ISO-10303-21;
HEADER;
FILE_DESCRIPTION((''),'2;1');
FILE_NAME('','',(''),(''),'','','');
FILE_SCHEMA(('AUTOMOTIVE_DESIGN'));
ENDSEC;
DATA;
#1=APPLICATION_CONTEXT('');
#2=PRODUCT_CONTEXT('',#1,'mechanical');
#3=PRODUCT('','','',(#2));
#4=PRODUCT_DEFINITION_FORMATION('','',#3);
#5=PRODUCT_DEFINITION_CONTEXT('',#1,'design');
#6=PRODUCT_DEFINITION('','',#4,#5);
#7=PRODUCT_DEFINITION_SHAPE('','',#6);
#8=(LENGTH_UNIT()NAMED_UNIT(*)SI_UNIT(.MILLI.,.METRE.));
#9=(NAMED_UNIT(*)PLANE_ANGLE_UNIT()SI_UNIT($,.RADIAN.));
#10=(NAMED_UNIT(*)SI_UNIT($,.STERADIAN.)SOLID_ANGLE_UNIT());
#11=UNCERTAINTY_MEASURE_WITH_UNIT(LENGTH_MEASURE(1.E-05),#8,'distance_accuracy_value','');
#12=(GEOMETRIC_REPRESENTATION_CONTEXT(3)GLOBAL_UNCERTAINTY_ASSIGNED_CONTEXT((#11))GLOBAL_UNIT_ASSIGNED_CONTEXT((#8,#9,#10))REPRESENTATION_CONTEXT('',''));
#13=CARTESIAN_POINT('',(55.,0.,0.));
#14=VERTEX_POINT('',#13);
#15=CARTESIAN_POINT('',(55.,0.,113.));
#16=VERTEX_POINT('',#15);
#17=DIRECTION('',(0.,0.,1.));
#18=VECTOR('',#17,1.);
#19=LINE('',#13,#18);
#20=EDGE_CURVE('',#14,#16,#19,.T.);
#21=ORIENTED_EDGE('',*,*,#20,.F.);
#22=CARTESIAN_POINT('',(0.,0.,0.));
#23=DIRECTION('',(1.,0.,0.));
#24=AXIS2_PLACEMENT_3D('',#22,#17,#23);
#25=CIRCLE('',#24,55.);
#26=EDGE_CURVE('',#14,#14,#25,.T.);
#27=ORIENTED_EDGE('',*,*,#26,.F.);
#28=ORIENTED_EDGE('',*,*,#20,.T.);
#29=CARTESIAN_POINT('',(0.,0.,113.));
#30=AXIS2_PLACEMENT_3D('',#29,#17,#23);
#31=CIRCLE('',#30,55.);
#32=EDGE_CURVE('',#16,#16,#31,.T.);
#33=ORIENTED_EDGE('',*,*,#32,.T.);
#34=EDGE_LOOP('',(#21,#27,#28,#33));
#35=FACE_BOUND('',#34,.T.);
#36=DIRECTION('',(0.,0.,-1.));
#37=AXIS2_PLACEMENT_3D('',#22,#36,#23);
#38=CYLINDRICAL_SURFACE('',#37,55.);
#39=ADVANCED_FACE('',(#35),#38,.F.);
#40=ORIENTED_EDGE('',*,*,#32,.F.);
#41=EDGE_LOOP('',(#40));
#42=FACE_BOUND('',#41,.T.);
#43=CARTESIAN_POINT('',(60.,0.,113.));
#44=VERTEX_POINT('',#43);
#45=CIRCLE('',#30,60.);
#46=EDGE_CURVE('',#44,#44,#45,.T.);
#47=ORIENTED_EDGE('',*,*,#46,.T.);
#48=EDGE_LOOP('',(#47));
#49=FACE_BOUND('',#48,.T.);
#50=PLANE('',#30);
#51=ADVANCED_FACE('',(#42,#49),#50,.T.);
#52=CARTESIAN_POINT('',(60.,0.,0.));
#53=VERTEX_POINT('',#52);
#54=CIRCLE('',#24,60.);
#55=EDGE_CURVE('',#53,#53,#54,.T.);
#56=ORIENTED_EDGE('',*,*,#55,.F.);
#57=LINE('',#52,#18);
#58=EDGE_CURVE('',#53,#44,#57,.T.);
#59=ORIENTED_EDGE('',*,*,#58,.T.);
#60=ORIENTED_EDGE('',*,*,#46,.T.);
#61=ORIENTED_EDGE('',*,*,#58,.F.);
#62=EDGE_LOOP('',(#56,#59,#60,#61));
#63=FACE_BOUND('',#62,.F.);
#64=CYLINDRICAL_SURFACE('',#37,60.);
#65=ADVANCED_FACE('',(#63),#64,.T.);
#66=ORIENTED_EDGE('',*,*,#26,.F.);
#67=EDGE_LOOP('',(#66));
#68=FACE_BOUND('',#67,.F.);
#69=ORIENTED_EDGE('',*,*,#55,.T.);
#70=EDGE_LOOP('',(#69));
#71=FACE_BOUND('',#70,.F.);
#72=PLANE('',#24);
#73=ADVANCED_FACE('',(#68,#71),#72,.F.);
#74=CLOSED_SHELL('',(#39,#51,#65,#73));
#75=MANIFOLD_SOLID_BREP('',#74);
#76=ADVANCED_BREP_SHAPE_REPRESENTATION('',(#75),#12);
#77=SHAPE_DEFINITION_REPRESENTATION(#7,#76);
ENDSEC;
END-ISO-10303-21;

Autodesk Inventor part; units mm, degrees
ref_plane "YZ Plane" through (0, 0, 0) normal (1, 0, 0) x (0, 1, 0)
ref_plane "XZ Plane" through (0, 0, 0) normal (0, 1, 0) x (-1, 0, 0)
ref_plane "XY Plane" through (0, 0, 0) normal (0, 0, 1) x (1, 0, 0)
sketch "Эскиз1" plane through (0, 0, 0) normal (0, 0, 1) x (1, 0, 0)
  circle A0 centre (0, 0) radius 55
  circle A1 centre (0, 0) radius 60
  dimension "d0" = 110
  dimension "d1" = 120
extrude "Выдавливание1" add sketch "Эскиз1" along normal blind 113
properties part number "Втулка палец шатун" material "Бронза, литейная"
